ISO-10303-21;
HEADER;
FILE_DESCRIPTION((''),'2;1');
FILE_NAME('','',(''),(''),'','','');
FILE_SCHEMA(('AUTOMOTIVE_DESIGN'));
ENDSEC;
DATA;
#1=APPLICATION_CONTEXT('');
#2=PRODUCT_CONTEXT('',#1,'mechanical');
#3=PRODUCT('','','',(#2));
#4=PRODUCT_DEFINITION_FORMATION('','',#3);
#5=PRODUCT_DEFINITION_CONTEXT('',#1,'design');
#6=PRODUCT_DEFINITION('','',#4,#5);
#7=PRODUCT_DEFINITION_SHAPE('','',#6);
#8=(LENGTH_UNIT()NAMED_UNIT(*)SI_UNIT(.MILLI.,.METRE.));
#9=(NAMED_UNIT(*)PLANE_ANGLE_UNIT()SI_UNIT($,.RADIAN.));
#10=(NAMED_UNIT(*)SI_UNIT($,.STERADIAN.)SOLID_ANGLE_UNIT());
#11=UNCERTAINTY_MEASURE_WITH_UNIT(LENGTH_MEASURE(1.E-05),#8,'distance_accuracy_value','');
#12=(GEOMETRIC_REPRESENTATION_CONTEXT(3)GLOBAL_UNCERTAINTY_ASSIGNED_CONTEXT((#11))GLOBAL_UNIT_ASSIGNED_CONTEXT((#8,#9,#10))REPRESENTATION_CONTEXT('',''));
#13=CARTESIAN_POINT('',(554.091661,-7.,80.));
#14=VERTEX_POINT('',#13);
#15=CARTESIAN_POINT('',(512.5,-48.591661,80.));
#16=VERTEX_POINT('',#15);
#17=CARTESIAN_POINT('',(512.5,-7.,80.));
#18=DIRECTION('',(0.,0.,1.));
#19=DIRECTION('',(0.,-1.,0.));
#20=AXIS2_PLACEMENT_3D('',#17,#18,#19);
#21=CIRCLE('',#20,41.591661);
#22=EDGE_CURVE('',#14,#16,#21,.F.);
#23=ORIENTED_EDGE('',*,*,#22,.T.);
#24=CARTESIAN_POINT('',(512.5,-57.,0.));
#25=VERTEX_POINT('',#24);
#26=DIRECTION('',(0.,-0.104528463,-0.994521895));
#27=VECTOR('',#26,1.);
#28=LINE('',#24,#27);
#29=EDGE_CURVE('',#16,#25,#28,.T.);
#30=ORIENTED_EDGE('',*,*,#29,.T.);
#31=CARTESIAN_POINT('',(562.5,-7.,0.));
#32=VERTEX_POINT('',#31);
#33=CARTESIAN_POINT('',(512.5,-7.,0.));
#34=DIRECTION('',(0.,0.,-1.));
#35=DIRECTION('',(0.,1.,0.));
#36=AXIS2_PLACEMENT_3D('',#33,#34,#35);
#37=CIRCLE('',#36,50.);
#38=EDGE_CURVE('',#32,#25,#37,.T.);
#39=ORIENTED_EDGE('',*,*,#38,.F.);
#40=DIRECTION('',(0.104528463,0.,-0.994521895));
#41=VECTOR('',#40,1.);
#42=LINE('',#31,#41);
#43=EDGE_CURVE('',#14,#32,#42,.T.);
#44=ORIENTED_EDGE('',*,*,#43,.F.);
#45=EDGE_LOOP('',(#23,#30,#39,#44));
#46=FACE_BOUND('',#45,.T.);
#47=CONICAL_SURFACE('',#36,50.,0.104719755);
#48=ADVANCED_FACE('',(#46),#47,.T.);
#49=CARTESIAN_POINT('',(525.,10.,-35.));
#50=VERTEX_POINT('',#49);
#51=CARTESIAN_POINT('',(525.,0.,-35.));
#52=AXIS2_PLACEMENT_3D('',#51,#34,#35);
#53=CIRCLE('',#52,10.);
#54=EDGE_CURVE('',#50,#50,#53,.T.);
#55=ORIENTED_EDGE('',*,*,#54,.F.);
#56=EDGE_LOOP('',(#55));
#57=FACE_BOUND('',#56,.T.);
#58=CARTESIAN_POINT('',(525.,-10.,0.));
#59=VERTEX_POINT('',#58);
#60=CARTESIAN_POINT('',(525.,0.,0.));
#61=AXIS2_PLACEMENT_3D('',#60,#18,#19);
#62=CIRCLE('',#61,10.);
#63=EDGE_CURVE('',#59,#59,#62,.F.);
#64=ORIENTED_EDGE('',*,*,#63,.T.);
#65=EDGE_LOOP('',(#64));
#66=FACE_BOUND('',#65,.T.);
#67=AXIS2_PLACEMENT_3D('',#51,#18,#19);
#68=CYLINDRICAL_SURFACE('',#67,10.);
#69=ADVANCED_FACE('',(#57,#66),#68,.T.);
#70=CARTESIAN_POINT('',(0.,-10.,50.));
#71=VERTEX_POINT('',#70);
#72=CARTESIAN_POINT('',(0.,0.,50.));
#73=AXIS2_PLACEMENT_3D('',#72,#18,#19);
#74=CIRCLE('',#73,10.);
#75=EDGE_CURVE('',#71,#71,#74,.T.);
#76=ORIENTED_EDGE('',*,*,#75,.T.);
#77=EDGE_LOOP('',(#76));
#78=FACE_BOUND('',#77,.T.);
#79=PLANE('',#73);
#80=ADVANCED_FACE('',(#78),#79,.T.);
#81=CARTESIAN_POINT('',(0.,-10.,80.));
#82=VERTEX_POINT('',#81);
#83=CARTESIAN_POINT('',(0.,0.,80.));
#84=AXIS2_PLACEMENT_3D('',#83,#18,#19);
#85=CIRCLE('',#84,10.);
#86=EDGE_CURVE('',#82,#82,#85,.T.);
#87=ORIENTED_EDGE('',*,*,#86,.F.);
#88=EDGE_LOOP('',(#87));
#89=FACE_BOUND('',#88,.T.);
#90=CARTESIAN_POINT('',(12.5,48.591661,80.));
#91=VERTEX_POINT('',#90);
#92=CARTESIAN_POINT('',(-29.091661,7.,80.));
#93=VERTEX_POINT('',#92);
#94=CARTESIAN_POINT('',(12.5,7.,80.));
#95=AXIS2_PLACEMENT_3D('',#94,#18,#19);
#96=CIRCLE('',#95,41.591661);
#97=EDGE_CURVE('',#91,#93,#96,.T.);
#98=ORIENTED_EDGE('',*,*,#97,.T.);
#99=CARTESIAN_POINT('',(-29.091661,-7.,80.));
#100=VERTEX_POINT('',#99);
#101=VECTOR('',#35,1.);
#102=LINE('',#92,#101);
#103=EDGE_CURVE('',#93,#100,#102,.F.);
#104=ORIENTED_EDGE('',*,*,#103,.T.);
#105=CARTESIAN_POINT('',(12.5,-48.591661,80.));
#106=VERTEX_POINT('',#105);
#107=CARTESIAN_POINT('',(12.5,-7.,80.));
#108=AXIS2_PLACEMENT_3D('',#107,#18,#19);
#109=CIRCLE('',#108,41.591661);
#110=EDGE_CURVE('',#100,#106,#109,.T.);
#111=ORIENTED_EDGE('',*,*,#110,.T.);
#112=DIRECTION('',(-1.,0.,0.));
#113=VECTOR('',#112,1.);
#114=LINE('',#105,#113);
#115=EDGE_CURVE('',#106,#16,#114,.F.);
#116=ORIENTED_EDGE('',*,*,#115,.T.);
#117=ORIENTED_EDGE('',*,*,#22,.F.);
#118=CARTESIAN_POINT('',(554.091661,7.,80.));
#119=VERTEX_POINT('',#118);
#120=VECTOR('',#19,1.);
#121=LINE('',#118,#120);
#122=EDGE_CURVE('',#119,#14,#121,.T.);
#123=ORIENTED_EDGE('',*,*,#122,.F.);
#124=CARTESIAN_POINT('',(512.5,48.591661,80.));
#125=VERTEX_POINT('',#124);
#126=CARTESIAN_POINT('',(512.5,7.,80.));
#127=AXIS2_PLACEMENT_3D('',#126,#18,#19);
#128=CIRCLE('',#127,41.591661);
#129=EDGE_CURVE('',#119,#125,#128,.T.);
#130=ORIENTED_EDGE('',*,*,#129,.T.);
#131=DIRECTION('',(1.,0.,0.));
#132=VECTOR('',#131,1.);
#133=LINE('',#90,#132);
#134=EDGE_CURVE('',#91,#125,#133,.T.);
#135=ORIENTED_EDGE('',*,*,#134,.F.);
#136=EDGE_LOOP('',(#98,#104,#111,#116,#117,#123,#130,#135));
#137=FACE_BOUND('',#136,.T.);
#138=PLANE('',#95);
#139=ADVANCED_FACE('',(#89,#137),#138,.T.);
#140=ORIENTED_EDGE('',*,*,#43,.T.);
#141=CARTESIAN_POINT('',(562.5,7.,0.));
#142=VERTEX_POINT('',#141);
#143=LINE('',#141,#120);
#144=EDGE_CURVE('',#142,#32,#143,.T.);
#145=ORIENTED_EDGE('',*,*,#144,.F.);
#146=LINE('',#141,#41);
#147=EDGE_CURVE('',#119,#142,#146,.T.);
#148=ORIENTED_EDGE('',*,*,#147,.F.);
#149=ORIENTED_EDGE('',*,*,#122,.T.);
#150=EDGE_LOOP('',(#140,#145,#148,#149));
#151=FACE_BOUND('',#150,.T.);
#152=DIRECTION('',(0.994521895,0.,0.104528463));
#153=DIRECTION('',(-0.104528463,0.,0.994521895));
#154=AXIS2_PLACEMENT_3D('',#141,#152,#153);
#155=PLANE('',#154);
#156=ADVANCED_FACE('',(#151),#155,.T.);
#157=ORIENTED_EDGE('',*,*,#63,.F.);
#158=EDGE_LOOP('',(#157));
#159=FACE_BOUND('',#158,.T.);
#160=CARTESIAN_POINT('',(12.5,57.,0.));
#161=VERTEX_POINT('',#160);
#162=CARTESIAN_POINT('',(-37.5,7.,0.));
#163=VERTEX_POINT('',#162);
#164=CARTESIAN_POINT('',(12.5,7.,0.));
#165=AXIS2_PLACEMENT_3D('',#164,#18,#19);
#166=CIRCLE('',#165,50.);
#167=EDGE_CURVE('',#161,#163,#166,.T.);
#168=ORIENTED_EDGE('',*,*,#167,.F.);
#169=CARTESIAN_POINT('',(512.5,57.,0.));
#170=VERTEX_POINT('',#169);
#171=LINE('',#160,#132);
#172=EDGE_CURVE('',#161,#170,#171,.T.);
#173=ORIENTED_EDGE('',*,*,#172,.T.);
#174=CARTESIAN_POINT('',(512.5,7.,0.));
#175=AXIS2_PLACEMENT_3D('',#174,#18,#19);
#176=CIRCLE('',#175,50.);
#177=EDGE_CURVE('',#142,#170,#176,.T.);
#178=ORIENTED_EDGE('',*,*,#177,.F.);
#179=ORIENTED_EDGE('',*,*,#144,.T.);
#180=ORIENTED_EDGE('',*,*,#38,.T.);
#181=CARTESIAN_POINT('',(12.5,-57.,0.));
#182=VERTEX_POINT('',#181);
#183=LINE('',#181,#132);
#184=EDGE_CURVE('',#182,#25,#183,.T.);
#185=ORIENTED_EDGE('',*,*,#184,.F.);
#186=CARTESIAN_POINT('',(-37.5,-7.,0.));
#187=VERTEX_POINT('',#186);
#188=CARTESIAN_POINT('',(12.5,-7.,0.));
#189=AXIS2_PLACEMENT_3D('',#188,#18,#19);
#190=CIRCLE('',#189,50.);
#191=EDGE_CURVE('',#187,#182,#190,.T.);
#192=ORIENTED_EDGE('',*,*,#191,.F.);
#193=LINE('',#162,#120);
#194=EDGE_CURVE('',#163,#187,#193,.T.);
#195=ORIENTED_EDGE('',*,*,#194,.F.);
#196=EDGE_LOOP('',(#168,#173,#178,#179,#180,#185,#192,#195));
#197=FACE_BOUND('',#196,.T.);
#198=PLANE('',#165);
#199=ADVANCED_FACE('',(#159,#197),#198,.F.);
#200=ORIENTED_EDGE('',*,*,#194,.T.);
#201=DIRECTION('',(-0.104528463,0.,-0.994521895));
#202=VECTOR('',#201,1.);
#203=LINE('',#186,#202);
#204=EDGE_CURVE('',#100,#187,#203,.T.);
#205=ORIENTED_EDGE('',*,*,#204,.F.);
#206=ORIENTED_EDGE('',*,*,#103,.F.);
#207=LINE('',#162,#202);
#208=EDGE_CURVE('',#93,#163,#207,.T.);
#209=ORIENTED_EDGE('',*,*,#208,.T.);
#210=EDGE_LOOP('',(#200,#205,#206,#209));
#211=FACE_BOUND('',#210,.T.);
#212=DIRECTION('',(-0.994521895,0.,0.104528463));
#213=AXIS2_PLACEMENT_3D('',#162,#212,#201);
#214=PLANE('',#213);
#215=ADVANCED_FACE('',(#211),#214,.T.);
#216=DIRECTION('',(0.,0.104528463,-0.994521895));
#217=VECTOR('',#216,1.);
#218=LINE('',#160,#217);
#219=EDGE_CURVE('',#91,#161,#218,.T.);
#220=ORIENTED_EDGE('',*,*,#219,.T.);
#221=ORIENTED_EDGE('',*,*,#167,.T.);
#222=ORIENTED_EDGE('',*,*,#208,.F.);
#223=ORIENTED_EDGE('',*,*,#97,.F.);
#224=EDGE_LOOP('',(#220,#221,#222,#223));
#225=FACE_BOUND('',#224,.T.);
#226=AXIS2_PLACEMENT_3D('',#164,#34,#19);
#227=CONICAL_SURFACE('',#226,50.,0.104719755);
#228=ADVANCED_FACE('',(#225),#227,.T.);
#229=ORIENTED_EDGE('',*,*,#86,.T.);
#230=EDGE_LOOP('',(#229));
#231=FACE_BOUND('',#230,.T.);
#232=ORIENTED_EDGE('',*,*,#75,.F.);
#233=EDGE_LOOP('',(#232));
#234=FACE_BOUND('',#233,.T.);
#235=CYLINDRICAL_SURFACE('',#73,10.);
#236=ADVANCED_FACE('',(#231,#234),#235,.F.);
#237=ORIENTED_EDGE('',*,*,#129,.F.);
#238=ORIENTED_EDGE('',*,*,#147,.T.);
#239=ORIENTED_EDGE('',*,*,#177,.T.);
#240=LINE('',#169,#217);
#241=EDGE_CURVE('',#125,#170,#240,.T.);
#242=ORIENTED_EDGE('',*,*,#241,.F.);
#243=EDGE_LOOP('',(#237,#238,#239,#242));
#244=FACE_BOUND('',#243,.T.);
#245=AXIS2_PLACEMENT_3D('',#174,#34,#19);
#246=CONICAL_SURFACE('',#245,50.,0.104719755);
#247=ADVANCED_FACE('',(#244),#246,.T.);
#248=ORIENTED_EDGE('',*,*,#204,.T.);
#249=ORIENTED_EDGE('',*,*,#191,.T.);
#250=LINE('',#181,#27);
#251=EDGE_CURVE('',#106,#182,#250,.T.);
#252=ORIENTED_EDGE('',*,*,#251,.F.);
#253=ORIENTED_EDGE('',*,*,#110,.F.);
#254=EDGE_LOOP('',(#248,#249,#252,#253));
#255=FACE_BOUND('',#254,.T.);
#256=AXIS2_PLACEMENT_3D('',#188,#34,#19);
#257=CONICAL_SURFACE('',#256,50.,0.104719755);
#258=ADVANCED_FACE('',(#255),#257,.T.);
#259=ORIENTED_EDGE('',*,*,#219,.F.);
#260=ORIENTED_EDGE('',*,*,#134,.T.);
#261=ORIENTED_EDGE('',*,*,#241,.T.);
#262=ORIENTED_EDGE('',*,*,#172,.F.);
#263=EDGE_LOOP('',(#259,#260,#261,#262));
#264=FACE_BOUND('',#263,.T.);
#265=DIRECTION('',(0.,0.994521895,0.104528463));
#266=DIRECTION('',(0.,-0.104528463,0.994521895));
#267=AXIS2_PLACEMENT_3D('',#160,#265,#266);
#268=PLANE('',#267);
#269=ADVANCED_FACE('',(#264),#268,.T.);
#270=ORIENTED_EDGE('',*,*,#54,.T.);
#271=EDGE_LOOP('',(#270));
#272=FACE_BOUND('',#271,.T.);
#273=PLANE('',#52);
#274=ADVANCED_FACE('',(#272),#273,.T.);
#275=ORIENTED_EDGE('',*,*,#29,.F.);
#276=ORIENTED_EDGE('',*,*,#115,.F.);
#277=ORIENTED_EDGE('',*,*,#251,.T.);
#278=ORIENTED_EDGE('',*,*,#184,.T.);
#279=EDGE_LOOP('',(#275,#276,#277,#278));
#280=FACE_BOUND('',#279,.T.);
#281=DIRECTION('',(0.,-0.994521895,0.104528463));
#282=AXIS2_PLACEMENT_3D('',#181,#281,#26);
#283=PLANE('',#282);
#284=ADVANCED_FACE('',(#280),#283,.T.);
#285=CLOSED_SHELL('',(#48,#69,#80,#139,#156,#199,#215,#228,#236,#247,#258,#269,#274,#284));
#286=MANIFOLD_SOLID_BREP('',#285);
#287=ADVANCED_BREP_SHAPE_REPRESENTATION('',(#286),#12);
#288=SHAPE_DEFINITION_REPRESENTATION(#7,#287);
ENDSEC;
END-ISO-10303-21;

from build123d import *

# Parameters (mm, degrees)
BOSS_EXTRUDE1_DEPTH   = 80
BOSS_EXTRUDE1_TAPER   = 6
SKETCH2_R             = 10
BOSS_EXTRUDE2_DEPTH   = 35
SKETCH3_R             = 10
CUT_EXTRUDE1_DEPTH    = 30
BODY_MOVE_COPY2_ANGLE = 90


with BuildPart() as part:
    # Sketch1 → Boss-Extrude1 (new body)
    with BuildSketch(Plane(origin=(0, 0, 0), x_dir=(1, 0, 0), z_dir=(0, 1, 0))):
        with BuildLine():
            ThreePointArc((-250, 57), (-285.355339059, 42.355339059), (-300, 7))
            Line((-300, 7), (-300, -7))
            ThreePointArc((-300, -7), (-285.355339059, -42.355339059), (-250, -57))
            Line((-250, -57), (250, -57))
            ThreePointArc((250, -57), (285.355339059, -42.355339059), (300, -7))
            Line((300, -7), (300, 7))
            ThreePointArc((300, 7), (285.355339059, 42.355339059), (250, 57))
            Line((250, 57), (-250, 57))
        make_face()
    extrude(amount=BOSS_EXTRUDE1_DEPTH, taper=BOSS_EXTRUDE1_TAPER)

    # Sketch2 → Boss-Extrude2 (add)
    with BuildSketch(Plane.XZ):
        with Locations((262.5, 0)):
            Circle(SKETCH2_R)
    extrude(amount=BOSS_EXTRUDE2_DEPTH)

    # Sketch3 → Cut-Extrude1 (cut)
    with BuildSketch(Plane(origin=(0, 80, 0), x_dir=(1, 0, 0), z_dir=(0, 1, 0))):
        with Locations((-262.5, 0)):
            Circle(SKETCH3_R)
    extrude(amount=-CUT_EXTRUDE1_DEPTH, mode=Mode.SUBTRACT)


with BuildPart() as part_1:
    # Body-Move/Copy1: moved
    add(part.part.moved(Location((262.5, 0, 0))))


with BuildPart() as part_2:
    # Body-Move/Copy2: moved
    add(part_1.part.rotate(Axis((0, 0, 0), (1, 0, 0)), BODY_MOVE_COPY2_ANGLE))


solid = part_2.part
